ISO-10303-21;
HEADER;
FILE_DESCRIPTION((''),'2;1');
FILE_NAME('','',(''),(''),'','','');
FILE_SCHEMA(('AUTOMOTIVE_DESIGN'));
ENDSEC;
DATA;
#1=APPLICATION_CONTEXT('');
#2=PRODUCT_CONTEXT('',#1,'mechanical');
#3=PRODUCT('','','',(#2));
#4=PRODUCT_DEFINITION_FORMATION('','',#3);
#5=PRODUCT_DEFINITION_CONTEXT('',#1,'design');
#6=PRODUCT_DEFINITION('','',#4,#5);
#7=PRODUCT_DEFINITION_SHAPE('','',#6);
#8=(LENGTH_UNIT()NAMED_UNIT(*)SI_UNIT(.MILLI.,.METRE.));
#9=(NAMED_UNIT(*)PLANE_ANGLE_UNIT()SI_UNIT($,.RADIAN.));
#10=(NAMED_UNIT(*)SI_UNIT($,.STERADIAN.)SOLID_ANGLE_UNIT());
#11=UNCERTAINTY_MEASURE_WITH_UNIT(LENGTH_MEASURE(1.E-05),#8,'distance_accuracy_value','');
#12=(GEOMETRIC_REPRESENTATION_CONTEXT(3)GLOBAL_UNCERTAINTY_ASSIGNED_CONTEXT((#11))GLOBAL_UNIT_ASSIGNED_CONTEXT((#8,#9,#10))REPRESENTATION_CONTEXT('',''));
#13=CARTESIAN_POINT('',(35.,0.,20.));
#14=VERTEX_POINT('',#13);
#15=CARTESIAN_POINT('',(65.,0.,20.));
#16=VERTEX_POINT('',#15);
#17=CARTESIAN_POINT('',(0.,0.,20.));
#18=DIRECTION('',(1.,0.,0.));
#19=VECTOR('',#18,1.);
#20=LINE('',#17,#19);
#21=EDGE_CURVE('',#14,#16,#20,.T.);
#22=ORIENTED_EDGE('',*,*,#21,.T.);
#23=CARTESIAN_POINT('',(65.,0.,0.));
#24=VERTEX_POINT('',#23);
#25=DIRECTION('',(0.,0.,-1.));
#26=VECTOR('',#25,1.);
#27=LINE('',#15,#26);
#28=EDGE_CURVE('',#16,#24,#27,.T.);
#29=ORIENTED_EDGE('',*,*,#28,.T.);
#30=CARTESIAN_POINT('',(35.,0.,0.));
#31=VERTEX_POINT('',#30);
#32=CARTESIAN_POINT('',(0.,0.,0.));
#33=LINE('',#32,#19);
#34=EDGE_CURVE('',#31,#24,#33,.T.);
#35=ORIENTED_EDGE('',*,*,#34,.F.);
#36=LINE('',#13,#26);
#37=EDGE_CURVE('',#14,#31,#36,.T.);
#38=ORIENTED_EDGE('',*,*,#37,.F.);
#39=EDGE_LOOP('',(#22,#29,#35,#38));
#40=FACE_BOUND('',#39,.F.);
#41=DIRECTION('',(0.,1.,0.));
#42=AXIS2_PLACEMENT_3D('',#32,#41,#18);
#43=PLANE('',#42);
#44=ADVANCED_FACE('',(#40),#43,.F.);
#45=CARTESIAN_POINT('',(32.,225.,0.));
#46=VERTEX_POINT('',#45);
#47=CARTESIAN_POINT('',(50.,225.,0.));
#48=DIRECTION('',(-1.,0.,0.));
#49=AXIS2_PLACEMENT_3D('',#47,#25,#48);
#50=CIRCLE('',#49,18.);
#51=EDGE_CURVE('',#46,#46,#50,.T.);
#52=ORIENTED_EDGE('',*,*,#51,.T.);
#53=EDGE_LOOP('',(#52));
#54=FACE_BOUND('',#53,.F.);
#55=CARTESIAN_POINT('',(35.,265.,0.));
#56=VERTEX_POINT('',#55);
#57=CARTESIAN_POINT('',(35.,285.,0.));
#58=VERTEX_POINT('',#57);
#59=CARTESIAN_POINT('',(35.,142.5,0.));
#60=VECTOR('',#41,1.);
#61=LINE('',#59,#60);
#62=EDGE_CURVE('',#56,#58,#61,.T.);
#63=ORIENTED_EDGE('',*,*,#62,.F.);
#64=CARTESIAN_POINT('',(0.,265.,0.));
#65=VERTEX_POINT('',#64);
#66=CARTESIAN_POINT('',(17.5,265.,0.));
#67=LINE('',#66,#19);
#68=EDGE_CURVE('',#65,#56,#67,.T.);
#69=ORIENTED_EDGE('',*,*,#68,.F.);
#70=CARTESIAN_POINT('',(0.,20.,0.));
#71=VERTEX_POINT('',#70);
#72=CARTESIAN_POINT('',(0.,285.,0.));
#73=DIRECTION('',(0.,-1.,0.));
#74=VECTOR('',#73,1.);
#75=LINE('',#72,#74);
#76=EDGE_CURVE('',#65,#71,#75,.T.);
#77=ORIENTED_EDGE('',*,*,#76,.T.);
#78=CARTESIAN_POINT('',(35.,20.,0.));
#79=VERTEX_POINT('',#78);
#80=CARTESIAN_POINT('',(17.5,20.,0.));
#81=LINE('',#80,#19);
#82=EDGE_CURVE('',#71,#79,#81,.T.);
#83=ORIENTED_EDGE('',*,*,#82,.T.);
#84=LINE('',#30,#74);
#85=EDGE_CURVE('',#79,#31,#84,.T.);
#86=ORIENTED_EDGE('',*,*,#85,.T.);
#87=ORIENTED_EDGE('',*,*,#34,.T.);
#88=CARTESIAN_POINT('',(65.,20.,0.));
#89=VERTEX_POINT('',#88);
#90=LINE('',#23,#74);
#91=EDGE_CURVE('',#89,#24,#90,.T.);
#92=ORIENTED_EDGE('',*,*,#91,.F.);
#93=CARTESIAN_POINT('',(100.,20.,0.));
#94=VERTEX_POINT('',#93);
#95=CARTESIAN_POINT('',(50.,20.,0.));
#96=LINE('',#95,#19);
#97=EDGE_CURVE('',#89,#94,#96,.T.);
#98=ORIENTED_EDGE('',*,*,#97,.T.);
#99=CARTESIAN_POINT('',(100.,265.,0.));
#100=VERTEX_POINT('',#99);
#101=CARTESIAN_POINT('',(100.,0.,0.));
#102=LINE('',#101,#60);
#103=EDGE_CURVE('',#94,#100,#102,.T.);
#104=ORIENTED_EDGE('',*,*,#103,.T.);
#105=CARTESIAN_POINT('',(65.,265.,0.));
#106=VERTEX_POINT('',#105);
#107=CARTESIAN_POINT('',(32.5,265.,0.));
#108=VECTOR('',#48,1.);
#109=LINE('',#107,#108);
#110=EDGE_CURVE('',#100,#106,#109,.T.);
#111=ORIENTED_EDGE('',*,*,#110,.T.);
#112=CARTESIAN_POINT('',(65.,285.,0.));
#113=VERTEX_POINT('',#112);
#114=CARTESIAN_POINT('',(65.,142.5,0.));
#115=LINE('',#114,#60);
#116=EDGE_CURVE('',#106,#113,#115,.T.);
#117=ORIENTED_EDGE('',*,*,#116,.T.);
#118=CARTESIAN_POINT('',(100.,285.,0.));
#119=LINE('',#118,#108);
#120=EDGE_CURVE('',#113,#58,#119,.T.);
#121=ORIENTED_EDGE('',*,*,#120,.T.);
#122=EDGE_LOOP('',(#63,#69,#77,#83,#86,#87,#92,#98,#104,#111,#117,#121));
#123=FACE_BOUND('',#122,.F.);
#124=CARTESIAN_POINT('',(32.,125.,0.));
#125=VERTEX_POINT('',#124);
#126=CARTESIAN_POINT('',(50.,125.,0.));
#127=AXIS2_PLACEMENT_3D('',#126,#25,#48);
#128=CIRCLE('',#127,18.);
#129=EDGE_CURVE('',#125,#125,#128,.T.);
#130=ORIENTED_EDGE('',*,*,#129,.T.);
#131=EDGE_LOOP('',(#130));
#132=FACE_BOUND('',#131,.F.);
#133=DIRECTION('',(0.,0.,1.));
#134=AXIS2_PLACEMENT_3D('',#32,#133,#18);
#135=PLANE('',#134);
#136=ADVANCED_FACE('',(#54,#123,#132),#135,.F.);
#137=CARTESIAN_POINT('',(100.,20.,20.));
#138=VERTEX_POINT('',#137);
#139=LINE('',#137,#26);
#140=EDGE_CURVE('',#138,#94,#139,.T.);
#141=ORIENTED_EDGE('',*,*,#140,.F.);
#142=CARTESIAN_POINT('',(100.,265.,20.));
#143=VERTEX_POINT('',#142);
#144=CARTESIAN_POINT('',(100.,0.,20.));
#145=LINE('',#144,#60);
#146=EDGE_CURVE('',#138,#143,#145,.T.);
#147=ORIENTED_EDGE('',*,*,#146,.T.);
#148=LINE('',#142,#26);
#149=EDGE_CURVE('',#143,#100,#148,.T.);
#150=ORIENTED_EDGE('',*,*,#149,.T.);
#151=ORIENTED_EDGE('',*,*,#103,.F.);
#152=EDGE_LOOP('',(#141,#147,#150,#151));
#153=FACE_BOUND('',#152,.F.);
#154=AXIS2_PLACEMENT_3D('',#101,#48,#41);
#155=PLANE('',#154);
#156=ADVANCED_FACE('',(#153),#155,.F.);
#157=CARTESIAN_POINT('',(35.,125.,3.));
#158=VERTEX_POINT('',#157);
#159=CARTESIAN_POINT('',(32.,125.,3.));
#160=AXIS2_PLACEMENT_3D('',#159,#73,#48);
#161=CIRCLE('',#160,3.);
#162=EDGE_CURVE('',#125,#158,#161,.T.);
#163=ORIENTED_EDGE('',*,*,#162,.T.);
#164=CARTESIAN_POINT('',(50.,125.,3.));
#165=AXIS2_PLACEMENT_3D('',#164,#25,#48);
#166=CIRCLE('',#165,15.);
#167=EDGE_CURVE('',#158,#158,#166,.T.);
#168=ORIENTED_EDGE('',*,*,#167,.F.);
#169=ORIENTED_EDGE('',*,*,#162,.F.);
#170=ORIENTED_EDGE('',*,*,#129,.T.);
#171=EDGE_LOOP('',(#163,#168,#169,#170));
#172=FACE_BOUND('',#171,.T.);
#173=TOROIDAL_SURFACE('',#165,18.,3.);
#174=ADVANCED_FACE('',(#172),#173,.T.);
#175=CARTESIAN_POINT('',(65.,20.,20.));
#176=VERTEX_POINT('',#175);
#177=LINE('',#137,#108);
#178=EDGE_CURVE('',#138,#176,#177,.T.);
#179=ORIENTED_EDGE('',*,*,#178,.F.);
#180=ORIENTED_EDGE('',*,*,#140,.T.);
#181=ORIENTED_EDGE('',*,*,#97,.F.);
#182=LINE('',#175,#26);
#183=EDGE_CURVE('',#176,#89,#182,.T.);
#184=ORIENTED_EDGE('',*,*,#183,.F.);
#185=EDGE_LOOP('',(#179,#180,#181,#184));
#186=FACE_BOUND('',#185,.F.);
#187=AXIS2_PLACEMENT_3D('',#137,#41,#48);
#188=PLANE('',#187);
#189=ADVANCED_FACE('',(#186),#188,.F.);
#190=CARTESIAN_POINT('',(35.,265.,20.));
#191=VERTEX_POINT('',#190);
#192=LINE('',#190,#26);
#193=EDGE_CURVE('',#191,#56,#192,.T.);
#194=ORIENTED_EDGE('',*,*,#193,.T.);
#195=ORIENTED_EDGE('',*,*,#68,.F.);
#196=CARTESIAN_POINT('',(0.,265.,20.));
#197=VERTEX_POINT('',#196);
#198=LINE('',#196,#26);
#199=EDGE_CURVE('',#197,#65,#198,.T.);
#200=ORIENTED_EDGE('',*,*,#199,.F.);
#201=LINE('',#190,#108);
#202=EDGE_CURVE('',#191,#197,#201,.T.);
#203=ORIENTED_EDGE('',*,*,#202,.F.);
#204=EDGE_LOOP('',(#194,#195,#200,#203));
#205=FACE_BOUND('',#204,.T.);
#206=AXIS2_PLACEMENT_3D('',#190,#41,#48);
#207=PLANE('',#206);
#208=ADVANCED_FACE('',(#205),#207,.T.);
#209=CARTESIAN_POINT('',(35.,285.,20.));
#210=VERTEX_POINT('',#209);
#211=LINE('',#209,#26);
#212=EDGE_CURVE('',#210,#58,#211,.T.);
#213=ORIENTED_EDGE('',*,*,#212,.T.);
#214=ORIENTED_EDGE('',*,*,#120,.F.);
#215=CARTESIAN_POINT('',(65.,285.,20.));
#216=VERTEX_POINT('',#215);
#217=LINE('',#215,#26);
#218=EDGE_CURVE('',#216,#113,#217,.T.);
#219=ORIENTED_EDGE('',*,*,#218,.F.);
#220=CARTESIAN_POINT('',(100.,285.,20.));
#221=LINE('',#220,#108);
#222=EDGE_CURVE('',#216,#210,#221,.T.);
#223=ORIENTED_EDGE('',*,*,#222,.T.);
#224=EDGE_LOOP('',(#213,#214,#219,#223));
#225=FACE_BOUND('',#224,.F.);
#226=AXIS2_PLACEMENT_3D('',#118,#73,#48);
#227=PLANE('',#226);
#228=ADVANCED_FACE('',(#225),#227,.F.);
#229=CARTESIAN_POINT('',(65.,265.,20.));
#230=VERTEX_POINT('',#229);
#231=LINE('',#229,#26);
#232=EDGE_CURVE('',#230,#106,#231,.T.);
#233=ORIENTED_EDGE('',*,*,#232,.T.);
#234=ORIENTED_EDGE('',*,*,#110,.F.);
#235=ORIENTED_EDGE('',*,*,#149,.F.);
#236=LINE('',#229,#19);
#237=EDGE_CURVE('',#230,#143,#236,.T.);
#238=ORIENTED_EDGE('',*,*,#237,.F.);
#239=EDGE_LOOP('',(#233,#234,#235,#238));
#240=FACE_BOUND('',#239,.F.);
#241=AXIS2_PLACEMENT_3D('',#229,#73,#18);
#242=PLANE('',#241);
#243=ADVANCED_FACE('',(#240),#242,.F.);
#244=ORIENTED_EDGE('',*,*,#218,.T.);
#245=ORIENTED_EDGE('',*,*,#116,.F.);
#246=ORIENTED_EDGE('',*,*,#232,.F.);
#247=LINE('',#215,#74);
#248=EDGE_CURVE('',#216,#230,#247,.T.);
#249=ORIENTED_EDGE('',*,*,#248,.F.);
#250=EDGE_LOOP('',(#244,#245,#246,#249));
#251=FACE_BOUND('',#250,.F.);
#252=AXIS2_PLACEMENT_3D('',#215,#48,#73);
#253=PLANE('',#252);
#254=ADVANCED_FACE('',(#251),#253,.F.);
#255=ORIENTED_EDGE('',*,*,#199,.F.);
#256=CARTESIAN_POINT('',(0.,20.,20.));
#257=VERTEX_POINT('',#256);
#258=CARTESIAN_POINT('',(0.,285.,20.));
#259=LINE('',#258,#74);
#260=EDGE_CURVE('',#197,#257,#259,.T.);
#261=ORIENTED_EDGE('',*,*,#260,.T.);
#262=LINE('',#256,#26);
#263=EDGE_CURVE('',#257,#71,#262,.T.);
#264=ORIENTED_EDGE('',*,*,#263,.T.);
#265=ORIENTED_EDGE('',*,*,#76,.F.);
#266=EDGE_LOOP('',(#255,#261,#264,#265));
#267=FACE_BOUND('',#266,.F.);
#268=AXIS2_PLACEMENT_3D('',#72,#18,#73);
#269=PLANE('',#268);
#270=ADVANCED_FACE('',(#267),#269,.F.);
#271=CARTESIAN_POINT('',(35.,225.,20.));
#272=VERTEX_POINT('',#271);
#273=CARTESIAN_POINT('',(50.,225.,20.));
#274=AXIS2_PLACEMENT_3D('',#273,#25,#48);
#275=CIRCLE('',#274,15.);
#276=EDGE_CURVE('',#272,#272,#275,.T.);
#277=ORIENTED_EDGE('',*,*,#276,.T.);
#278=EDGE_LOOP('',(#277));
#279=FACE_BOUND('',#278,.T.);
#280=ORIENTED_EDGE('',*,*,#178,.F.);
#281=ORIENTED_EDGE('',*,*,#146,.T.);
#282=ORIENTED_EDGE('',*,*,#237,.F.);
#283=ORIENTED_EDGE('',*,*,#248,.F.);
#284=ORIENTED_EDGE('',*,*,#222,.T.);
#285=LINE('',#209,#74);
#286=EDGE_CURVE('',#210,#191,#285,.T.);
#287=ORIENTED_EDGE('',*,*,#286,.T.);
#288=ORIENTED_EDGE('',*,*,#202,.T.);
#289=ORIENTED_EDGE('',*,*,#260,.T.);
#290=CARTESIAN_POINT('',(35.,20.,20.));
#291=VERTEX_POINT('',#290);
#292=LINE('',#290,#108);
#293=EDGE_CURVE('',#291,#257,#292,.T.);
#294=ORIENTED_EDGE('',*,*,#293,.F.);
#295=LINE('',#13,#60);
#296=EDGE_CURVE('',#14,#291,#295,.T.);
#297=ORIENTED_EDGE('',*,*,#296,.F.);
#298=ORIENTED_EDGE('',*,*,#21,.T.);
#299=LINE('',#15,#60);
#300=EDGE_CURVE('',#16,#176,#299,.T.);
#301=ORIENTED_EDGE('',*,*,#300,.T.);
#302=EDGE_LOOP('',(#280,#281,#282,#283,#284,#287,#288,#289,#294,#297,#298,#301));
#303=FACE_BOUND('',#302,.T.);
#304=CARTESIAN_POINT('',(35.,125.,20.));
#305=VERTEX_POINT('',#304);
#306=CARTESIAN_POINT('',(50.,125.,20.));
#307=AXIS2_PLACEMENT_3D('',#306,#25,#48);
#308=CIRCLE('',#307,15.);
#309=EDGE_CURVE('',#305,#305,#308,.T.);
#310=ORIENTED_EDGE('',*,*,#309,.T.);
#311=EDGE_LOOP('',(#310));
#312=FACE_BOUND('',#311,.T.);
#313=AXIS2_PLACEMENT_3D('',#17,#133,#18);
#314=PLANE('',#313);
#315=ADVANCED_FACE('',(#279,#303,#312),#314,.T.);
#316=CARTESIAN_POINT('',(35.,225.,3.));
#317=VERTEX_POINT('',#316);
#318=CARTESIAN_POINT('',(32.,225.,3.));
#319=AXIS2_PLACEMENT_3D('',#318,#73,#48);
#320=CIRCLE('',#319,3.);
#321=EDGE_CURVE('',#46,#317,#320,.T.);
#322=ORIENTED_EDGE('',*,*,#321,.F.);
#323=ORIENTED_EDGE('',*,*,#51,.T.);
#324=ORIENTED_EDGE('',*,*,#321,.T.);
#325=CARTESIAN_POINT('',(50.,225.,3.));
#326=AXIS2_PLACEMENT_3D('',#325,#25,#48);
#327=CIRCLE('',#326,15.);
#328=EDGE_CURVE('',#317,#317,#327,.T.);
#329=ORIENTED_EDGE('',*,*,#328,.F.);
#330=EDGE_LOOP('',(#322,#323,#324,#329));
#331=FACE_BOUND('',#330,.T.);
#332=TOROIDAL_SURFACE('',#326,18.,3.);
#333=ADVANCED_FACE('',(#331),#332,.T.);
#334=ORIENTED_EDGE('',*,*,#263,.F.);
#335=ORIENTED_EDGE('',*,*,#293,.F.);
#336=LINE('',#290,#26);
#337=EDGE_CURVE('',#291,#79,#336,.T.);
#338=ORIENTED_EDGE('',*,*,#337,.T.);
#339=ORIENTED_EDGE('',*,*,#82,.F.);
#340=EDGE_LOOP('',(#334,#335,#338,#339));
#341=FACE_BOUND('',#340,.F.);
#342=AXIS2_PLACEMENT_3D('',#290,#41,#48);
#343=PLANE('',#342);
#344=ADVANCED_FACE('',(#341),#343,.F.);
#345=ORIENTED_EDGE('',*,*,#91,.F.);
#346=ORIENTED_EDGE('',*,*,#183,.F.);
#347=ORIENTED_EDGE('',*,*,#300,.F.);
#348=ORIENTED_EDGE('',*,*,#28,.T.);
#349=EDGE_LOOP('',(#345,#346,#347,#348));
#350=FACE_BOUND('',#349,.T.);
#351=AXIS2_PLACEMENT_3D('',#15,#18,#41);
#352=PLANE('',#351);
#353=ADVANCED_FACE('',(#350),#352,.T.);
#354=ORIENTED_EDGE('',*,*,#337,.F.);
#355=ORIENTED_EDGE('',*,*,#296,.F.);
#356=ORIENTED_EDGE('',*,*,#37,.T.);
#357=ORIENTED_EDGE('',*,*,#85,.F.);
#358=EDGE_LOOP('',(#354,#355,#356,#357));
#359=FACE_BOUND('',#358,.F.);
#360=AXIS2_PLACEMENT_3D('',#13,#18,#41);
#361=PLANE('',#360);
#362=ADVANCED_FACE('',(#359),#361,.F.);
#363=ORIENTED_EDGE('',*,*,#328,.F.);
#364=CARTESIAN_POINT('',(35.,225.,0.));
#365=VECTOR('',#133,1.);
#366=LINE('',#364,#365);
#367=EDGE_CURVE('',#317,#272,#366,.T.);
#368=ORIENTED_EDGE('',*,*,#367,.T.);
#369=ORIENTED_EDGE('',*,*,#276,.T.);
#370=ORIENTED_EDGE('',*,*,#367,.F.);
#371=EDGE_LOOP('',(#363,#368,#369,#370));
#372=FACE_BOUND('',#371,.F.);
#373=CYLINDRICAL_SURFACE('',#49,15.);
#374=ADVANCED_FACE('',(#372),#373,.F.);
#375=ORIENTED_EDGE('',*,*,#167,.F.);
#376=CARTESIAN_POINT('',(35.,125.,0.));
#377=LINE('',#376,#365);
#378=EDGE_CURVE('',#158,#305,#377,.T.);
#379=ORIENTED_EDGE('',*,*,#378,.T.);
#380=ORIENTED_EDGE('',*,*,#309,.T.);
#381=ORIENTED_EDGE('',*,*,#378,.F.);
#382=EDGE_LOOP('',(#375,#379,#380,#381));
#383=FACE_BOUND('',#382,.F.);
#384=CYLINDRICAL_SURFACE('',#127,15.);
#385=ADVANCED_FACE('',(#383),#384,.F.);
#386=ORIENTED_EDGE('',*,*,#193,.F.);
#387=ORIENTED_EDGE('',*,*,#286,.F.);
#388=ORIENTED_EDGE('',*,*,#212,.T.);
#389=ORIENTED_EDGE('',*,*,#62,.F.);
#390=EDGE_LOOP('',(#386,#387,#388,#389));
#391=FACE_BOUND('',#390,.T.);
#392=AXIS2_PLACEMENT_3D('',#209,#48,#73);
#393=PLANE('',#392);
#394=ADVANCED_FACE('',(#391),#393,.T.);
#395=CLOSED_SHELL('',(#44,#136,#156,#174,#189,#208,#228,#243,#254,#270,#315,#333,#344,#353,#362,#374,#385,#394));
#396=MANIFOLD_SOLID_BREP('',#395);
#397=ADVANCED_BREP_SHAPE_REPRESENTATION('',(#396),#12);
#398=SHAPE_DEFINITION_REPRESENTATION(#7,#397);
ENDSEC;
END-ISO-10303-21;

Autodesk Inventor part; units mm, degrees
ref_plane "YZ Plane" through (0, 0, 0) normal (1, 0, 0) x (0, 1, 0)
ref_plane "XZ Plane" through (0, 0, 0) normal (0, 1, 0) x (-1, 0, 0)
ref_plane "XY Plane" through (0, 0, 0) normal (0, 0, 1) x (1, 0, 0)
sketch "Sketch1" plane through (0, 0, 0) normal (0, 0, 1) x (1, 0, 0)
  line L0 (0, 0) -> (100, 0)
  line L1 (100, 0) -> (100, 285)
  line L2 (100, 285) -> (0, 285)
  line L3 (0, 285) -> (0, 0)
  dimension "d0" = 100
  dimension "d1" = 285
extrude "Extrusion1" add sketch "Sketch1" along normal blind 20
sketch "Sketch2" plane through (0, 0, 0) normal (0, 0, -1) x (-1, 0, 0)
  circle A0 centre (-50, 125) radius 15
  circle A1 centre (-50, 225) radius 15
  line L0 (0, 285) -> (0, 0) projected
  line L1 (0, 0) -> (-100, 0) projected
  dimension "d5" = 30
  dimension "d6" = 50
  dimension "d7" = 50
  dimension "d9" = 100
  dimension "d13" = 125
extrude "Extrusion2" cut sketch "Sketch2" against normal up to next
sketch "Sketch3" plane through (0, 0, 20) normal (0, 0, 1) x (1, 0, 0)
  line L0 (0, 0) -> (100, 0) projected
  line L1 (100, 285) -> (0, 285) projected
  line L2 (35, 285) -> (35, 265)
  line L3 (0, 285) -> (0, 0) projected
  line L4 (100, 0) -> (100, 285) projected
  line L5 (35, 265) -> (0, 265)
  line L6 (65, 285) -> (65, 265)
  line L7 (65, 265) -> (100, 265)
  line L8 (35, 0) -> (35, 20)
  line L9 (35, 20) -> (0, 20)
  line L10 (65, 0) -> (65, 20)
  line L11 (100, 20) -> (65, 20)
  dimension "d14" = 30
  dimension "d26" = 35
  dimension "d27" = 20
  dimension "d28" = 20
extrude "Extrusion3" cut sketch "Sketch3" against normal up to next contours L3 L9 L8 L0 | L10 L11 L4 L0 | L3 L1 L2 L5 | L7 L6 L1 L4
sketch "Sketch5" plane through (100, 20, 0) normal (1, 0, 0) x (0, 0, -1)
  line L0 (-20, 0) -> (-20, 245) projected
  line L1 (-20, 122.5) -> (-90.7107, 193.2107) construction
  line L2 (-20, 122.5) -> (80, 122.5) construction
  line L3 (-20, 265) -> (0, 265) projected
  point P0 (0, -20)
  dimension "d21" = 100
  dimension "d22" = 135
  dimension "d23" = 142.5
fillet "Fillet1" radius 3 2 edges at (65, 125, 0) (65, 225, 0)
properties part number "MidjuHaldarar" material "Wood (Birch)"
